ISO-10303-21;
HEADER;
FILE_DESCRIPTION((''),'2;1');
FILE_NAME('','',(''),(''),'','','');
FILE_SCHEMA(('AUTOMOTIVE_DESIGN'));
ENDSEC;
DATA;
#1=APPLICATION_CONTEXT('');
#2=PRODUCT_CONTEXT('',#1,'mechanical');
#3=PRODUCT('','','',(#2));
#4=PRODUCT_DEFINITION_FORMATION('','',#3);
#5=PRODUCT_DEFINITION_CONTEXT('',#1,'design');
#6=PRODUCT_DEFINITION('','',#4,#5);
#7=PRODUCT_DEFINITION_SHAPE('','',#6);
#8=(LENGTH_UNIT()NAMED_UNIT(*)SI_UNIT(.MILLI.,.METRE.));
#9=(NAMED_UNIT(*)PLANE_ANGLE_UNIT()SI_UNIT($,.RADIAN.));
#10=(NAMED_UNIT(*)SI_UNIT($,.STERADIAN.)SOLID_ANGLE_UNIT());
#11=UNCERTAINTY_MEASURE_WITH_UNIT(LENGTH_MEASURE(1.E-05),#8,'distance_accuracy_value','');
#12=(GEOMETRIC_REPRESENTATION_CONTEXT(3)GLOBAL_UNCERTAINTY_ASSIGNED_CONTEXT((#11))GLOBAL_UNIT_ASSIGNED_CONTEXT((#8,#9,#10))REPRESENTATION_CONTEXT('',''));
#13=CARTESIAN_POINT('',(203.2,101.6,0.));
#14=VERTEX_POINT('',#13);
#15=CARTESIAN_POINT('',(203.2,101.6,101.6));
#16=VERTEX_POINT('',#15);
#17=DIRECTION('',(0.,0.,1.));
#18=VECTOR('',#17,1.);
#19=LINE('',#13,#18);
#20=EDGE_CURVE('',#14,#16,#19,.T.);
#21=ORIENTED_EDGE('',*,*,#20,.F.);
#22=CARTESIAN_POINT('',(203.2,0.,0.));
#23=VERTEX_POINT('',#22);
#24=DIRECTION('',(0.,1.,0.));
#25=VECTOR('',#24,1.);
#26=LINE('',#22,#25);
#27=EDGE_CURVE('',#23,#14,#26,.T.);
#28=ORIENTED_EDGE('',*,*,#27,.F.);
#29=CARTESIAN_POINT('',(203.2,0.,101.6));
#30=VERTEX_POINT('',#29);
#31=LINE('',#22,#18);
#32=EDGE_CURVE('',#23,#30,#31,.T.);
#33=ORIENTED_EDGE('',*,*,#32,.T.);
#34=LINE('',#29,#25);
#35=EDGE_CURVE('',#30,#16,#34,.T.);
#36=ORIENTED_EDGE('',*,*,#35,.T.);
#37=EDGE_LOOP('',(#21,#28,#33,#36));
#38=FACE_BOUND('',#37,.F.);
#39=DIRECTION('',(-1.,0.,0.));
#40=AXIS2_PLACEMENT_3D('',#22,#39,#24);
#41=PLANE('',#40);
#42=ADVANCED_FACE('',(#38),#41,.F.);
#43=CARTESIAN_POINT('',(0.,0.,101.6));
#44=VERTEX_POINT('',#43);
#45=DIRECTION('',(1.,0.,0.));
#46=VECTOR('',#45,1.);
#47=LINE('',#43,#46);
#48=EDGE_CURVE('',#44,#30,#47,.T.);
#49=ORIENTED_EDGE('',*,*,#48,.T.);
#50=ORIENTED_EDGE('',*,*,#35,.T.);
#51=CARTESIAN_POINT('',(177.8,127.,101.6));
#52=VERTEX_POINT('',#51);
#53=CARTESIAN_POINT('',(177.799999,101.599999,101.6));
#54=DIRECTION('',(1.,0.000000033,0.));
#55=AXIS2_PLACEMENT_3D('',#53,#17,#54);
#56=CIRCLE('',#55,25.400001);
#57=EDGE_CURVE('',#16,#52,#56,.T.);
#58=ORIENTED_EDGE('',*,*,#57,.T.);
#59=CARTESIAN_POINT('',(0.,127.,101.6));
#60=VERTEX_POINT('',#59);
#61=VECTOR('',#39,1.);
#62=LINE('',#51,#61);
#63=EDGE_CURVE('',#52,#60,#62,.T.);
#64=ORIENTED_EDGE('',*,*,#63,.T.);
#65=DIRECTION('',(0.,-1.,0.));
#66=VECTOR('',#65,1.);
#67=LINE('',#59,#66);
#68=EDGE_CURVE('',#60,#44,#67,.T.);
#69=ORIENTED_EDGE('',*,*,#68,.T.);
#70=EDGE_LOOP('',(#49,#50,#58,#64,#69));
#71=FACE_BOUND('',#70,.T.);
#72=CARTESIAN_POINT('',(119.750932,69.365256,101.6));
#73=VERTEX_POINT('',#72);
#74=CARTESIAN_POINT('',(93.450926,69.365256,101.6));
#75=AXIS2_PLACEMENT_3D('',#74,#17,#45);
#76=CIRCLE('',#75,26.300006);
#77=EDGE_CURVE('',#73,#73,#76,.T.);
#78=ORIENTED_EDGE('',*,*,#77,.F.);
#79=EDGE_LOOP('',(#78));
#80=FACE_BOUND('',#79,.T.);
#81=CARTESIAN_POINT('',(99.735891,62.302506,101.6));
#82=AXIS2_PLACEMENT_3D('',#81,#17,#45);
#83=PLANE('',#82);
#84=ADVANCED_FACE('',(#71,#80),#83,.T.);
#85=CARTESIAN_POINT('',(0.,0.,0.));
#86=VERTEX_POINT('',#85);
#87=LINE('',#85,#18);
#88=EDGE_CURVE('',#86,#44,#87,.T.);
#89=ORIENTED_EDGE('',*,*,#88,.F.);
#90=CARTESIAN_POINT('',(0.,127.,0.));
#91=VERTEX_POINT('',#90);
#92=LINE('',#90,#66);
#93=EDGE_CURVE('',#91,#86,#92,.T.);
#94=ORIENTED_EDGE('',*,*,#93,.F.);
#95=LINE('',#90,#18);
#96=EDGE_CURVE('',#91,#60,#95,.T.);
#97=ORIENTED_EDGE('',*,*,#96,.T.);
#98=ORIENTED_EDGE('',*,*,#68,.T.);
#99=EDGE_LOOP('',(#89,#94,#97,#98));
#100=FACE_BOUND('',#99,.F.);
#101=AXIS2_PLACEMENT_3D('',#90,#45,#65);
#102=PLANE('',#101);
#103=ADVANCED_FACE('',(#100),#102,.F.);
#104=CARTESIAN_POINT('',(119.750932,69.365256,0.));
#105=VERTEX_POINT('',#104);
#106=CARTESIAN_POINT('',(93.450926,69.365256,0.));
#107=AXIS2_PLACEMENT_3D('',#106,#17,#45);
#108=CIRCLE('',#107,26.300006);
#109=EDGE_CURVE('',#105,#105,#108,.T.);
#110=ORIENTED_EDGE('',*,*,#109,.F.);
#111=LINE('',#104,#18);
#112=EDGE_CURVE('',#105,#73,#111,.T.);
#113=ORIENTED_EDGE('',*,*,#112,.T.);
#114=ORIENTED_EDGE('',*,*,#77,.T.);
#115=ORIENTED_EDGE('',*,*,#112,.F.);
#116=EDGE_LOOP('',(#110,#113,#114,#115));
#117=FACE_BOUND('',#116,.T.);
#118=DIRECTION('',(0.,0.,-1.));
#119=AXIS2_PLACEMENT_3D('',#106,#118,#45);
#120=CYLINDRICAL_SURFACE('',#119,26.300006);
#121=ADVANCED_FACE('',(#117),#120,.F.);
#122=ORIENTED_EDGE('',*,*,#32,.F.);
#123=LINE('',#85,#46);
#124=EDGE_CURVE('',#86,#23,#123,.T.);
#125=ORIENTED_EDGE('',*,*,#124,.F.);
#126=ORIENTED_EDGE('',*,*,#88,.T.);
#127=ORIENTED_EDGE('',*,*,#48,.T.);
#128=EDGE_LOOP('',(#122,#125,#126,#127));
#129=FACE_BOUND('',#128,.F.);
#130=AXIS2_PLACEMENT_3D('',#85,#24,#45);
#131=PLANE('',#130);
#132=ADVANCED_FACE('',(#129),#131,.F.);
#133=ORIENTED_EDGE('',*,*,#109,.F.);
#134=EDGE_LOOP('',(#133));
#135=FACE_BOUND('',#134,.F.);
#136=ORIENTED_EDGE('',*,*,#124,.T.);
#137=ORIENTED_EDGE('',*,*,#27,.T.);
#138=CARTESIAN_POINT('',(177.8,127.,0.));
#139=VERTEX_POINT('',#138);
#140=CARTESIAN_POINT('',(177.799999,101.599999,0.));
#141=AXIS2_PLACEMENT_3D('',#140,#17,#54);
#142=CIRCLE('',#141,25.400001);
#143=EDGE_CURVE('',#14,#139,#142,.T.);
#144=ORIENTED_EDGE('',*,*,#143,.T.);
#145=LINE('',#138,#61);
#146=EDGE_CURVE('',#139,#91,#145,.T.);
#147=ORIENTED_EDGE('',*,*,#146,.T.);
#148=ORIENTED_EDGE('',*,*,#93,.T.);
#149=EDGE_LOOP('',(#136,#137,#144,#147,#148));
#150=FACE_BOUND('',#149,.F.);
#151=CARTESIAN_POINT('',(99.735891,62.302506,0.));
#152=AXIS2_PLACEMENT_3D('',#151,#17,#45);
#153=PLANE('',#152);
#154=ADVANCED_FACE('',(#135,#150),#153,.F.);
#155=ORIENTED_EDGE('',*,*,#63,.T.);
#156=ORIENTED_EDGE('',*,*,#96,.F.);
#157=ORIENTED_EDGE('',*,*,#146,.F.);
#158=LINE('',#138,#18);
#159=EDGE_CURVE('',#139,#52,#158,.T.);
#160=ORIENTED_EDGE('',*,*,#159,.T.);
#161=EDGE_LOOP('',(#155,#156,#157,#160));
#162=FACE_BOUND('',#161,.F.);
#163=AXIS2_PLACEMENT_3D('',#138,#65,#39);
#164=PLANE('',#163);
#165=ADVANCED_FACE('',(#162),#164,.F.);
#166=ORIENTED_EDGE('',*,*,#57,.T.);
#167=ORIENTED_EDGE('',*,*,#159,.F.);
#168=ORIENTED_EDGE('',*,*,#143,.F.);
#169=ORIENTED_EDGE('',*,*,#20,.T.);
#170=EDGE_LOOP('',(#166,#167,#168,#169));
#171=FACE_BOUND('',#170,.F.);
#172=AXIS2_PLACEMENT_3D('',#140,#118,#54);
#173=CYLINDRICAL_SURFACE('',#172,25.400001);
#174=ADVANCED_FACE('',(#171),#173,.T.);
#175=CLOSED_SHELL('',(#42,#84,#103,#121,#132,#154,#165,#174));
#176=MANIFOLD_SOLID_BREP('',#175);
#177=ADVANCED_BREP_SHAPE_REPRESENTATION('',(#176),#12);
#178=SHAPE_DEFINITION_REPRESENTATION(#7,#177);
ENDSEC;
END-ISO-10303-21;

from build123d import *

# Parameters (mm, degrees)
F0_R     = 26.300006
F1_DEPTH = 101.6


with BuildPart() as f1:
    # F0 (on Top) → F1 (new body)
    with BuildSketch(Plane.XY):
        with BuildLine():
            Line((0, 127), (0, 0))
            Line((0, 0), (203.2, 0))
            Line((203.2, 0), (203.2, 101.6))
            ThreePointArc((203.2, 101.6), (195.760512, 119.560512), (177.8, 127))
            Line((177.8, 127), (0, 127))
        make_face()
        with Locations((93.450926, 69.365256)):
            Circle(F0_R, mode=Mode.SUBTRACT)
    extrude(amount=F1_DEPTH)


solid = f1.part
